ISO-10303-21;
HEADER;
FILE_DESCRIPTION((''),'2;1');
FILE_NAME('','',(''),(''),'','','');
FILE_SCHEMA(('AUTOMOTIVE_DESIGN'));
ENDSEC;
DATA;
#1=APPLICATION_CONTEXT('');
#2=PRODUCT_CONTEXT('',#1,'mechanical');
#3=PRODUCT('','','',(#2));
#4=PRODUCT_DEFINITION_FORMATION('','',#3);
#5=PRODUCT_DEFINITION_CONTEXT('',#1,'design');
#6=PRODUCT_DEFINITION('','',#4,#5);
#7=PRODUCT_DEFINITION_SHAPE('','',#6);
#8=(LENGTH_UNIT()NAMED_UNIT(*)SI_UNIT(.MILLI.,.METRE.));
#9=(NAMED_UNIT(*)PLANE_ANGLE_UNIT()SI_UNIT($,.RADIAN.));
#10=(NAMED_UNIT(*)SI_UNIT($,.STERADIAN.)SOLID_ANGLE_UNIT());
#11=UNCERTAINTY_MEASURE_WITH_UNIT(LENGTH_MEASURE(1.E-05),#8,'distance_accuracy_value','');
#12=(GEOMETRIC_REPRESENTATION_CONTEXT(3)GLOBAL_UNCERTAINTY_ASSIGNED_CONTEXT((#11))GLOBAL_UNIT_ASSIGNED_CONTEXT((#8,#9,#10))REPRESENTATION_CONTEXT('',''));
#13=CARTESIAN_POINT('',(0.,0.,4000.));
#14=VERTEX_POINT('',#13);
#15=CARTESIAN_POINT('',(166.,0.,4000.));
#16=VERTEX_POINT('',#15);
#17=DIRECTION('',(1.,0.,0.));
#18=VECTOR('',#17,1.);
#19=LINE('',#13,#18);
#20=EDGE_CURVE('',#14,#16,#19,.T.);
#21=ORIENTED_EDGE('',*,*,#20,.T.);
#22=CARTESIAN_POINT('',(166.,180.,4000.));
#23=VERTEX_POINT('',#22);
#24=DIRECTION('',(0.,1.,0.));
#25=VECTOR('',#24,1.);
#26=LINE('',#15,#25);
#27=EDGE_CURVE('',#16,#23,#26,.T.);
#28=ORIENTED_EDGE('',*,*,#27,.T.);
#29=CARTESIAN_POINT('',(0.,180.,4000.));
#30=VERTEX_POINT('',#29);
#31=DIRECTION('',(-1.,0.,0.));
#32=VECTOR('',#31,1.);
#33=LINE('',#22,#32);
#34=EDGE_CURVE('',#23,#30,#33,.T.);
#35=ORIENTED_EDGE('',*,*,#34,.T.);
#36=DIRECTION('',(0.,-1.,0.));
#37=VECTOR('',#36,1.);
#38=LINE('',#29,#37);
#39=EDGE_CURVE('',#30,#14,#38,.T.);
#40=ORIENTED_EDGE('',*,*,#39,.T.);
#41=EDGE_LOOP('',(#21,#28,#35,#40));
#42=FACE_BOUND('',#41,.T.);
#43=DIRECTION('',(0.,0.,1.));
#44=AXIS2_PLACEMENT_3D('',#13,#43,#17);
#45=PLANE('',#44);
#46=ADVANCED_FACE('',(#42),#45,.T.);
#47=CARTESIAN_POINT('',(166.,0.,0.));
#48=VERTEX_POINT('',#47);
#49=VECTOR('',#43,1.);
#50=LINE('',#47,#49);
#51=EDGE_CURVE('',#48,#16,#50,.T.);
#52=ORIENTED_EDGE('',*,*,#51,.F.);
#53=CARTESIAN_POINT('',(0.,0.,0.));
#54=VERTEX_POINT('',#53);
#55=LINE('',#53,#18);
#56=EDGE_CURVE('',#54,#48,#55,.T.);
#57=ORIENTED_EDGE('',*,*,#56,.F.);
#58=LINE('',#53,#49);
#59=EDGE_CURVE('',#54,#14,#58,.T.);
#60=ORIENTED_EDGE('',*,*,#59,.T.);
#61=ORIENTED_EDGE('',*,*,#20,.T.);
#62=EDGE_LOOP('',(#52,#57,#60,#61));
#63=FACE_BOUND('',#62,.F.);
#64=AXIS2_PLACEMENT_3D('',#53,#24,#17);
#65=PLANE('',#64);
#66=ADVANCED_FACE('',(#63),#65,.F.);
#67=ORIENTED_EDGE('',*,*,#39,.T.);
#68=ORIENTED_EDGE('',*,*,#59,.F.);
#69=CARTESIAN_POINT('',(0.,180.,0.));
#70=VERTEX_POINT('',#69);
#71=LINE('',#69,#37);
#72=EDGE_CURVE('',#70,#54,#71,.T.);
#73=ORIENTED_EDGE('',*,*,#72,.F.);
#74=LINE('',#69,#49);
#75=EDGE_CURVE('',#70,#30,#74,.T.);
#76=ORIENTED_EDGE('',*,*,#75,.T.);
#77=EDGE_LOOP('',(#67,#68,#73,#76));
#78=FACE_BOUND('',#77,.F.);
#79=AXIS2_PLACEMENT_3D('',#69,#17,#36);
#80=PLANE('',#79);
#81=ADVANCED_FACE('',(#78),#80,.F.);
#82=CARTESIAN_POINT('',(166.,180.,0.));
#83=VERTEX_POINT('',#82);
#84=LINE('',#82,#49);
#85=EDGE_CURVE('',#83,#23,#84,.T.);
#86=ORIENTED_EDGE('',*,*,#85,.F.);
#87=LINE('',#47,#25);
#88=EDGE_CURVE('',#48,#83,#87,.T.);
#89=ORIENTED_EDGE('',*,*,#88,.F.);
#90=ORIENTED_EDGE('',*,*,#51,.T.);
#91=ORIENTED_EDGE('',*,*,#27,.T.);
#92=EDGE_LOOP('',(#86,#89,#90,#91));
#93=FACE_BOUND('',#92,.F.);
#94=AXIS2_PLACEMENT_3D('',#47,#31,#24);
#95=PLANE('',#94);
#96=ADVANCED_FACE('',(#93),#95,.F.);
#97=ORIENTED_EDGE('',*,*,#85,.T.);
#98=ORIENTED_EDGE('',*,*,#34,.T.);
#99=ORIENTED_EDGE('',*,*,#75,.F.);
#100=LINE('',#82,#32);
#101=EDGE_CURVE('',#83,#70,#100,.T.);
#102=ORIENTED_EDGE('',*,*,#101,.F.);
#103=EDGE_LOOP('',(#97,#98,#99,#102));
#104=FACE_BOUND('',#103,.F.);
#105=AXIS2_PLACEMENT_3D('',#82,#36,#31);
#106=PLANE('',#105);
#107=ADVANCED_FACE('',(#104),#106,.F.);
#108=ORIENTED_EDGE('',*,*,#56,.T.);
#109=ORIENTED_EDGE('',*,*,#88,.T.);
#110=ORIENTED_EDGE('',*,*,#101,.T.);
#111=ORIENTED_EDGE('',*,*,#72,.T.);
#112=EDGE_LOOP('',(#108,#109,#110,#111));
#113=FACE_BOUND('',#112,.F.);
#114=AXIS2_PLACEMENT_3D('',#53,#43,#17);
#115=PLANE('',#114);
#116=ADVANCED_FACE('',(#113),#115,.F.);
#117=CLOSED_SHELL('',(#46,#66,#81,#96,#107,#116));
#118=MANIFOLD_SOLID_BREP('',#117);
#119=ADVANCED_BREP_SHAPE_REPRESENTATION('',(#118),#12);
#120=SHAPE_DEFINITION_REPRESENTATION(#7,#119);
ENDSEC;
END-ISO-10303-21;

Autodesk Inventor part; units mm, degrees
ref_plane "YZ Plane" through (0, 0, 0) normal (1, 0, 0) x (0, 1, 0)
ref_plane "XZ Plane" through (0, 0, 0) normal (0, 1, 0) x (-1, 0, 0)
ref_plane "XY Plane" through (0, 0, 0) normal (0, 0, 1) x (1, 0, 0)
sketch "Sketch1" plane through (0, 0, 0) normal (0, 0, 1) x (1, 0, 0)
  line L0 (0, 0) -> (166, 0)
  line L1 (166, 0) -> (166, 180)
  line L2 (166, 180) -> (0, 180)
  line L3 (0, 180) -> (0, 0)
  dimension "d0" = 166
  dimension "d1" = 180
extrude "Extrusion1" add sketch "Sketch1" along normal blind 4000
properties part number "pylon"
